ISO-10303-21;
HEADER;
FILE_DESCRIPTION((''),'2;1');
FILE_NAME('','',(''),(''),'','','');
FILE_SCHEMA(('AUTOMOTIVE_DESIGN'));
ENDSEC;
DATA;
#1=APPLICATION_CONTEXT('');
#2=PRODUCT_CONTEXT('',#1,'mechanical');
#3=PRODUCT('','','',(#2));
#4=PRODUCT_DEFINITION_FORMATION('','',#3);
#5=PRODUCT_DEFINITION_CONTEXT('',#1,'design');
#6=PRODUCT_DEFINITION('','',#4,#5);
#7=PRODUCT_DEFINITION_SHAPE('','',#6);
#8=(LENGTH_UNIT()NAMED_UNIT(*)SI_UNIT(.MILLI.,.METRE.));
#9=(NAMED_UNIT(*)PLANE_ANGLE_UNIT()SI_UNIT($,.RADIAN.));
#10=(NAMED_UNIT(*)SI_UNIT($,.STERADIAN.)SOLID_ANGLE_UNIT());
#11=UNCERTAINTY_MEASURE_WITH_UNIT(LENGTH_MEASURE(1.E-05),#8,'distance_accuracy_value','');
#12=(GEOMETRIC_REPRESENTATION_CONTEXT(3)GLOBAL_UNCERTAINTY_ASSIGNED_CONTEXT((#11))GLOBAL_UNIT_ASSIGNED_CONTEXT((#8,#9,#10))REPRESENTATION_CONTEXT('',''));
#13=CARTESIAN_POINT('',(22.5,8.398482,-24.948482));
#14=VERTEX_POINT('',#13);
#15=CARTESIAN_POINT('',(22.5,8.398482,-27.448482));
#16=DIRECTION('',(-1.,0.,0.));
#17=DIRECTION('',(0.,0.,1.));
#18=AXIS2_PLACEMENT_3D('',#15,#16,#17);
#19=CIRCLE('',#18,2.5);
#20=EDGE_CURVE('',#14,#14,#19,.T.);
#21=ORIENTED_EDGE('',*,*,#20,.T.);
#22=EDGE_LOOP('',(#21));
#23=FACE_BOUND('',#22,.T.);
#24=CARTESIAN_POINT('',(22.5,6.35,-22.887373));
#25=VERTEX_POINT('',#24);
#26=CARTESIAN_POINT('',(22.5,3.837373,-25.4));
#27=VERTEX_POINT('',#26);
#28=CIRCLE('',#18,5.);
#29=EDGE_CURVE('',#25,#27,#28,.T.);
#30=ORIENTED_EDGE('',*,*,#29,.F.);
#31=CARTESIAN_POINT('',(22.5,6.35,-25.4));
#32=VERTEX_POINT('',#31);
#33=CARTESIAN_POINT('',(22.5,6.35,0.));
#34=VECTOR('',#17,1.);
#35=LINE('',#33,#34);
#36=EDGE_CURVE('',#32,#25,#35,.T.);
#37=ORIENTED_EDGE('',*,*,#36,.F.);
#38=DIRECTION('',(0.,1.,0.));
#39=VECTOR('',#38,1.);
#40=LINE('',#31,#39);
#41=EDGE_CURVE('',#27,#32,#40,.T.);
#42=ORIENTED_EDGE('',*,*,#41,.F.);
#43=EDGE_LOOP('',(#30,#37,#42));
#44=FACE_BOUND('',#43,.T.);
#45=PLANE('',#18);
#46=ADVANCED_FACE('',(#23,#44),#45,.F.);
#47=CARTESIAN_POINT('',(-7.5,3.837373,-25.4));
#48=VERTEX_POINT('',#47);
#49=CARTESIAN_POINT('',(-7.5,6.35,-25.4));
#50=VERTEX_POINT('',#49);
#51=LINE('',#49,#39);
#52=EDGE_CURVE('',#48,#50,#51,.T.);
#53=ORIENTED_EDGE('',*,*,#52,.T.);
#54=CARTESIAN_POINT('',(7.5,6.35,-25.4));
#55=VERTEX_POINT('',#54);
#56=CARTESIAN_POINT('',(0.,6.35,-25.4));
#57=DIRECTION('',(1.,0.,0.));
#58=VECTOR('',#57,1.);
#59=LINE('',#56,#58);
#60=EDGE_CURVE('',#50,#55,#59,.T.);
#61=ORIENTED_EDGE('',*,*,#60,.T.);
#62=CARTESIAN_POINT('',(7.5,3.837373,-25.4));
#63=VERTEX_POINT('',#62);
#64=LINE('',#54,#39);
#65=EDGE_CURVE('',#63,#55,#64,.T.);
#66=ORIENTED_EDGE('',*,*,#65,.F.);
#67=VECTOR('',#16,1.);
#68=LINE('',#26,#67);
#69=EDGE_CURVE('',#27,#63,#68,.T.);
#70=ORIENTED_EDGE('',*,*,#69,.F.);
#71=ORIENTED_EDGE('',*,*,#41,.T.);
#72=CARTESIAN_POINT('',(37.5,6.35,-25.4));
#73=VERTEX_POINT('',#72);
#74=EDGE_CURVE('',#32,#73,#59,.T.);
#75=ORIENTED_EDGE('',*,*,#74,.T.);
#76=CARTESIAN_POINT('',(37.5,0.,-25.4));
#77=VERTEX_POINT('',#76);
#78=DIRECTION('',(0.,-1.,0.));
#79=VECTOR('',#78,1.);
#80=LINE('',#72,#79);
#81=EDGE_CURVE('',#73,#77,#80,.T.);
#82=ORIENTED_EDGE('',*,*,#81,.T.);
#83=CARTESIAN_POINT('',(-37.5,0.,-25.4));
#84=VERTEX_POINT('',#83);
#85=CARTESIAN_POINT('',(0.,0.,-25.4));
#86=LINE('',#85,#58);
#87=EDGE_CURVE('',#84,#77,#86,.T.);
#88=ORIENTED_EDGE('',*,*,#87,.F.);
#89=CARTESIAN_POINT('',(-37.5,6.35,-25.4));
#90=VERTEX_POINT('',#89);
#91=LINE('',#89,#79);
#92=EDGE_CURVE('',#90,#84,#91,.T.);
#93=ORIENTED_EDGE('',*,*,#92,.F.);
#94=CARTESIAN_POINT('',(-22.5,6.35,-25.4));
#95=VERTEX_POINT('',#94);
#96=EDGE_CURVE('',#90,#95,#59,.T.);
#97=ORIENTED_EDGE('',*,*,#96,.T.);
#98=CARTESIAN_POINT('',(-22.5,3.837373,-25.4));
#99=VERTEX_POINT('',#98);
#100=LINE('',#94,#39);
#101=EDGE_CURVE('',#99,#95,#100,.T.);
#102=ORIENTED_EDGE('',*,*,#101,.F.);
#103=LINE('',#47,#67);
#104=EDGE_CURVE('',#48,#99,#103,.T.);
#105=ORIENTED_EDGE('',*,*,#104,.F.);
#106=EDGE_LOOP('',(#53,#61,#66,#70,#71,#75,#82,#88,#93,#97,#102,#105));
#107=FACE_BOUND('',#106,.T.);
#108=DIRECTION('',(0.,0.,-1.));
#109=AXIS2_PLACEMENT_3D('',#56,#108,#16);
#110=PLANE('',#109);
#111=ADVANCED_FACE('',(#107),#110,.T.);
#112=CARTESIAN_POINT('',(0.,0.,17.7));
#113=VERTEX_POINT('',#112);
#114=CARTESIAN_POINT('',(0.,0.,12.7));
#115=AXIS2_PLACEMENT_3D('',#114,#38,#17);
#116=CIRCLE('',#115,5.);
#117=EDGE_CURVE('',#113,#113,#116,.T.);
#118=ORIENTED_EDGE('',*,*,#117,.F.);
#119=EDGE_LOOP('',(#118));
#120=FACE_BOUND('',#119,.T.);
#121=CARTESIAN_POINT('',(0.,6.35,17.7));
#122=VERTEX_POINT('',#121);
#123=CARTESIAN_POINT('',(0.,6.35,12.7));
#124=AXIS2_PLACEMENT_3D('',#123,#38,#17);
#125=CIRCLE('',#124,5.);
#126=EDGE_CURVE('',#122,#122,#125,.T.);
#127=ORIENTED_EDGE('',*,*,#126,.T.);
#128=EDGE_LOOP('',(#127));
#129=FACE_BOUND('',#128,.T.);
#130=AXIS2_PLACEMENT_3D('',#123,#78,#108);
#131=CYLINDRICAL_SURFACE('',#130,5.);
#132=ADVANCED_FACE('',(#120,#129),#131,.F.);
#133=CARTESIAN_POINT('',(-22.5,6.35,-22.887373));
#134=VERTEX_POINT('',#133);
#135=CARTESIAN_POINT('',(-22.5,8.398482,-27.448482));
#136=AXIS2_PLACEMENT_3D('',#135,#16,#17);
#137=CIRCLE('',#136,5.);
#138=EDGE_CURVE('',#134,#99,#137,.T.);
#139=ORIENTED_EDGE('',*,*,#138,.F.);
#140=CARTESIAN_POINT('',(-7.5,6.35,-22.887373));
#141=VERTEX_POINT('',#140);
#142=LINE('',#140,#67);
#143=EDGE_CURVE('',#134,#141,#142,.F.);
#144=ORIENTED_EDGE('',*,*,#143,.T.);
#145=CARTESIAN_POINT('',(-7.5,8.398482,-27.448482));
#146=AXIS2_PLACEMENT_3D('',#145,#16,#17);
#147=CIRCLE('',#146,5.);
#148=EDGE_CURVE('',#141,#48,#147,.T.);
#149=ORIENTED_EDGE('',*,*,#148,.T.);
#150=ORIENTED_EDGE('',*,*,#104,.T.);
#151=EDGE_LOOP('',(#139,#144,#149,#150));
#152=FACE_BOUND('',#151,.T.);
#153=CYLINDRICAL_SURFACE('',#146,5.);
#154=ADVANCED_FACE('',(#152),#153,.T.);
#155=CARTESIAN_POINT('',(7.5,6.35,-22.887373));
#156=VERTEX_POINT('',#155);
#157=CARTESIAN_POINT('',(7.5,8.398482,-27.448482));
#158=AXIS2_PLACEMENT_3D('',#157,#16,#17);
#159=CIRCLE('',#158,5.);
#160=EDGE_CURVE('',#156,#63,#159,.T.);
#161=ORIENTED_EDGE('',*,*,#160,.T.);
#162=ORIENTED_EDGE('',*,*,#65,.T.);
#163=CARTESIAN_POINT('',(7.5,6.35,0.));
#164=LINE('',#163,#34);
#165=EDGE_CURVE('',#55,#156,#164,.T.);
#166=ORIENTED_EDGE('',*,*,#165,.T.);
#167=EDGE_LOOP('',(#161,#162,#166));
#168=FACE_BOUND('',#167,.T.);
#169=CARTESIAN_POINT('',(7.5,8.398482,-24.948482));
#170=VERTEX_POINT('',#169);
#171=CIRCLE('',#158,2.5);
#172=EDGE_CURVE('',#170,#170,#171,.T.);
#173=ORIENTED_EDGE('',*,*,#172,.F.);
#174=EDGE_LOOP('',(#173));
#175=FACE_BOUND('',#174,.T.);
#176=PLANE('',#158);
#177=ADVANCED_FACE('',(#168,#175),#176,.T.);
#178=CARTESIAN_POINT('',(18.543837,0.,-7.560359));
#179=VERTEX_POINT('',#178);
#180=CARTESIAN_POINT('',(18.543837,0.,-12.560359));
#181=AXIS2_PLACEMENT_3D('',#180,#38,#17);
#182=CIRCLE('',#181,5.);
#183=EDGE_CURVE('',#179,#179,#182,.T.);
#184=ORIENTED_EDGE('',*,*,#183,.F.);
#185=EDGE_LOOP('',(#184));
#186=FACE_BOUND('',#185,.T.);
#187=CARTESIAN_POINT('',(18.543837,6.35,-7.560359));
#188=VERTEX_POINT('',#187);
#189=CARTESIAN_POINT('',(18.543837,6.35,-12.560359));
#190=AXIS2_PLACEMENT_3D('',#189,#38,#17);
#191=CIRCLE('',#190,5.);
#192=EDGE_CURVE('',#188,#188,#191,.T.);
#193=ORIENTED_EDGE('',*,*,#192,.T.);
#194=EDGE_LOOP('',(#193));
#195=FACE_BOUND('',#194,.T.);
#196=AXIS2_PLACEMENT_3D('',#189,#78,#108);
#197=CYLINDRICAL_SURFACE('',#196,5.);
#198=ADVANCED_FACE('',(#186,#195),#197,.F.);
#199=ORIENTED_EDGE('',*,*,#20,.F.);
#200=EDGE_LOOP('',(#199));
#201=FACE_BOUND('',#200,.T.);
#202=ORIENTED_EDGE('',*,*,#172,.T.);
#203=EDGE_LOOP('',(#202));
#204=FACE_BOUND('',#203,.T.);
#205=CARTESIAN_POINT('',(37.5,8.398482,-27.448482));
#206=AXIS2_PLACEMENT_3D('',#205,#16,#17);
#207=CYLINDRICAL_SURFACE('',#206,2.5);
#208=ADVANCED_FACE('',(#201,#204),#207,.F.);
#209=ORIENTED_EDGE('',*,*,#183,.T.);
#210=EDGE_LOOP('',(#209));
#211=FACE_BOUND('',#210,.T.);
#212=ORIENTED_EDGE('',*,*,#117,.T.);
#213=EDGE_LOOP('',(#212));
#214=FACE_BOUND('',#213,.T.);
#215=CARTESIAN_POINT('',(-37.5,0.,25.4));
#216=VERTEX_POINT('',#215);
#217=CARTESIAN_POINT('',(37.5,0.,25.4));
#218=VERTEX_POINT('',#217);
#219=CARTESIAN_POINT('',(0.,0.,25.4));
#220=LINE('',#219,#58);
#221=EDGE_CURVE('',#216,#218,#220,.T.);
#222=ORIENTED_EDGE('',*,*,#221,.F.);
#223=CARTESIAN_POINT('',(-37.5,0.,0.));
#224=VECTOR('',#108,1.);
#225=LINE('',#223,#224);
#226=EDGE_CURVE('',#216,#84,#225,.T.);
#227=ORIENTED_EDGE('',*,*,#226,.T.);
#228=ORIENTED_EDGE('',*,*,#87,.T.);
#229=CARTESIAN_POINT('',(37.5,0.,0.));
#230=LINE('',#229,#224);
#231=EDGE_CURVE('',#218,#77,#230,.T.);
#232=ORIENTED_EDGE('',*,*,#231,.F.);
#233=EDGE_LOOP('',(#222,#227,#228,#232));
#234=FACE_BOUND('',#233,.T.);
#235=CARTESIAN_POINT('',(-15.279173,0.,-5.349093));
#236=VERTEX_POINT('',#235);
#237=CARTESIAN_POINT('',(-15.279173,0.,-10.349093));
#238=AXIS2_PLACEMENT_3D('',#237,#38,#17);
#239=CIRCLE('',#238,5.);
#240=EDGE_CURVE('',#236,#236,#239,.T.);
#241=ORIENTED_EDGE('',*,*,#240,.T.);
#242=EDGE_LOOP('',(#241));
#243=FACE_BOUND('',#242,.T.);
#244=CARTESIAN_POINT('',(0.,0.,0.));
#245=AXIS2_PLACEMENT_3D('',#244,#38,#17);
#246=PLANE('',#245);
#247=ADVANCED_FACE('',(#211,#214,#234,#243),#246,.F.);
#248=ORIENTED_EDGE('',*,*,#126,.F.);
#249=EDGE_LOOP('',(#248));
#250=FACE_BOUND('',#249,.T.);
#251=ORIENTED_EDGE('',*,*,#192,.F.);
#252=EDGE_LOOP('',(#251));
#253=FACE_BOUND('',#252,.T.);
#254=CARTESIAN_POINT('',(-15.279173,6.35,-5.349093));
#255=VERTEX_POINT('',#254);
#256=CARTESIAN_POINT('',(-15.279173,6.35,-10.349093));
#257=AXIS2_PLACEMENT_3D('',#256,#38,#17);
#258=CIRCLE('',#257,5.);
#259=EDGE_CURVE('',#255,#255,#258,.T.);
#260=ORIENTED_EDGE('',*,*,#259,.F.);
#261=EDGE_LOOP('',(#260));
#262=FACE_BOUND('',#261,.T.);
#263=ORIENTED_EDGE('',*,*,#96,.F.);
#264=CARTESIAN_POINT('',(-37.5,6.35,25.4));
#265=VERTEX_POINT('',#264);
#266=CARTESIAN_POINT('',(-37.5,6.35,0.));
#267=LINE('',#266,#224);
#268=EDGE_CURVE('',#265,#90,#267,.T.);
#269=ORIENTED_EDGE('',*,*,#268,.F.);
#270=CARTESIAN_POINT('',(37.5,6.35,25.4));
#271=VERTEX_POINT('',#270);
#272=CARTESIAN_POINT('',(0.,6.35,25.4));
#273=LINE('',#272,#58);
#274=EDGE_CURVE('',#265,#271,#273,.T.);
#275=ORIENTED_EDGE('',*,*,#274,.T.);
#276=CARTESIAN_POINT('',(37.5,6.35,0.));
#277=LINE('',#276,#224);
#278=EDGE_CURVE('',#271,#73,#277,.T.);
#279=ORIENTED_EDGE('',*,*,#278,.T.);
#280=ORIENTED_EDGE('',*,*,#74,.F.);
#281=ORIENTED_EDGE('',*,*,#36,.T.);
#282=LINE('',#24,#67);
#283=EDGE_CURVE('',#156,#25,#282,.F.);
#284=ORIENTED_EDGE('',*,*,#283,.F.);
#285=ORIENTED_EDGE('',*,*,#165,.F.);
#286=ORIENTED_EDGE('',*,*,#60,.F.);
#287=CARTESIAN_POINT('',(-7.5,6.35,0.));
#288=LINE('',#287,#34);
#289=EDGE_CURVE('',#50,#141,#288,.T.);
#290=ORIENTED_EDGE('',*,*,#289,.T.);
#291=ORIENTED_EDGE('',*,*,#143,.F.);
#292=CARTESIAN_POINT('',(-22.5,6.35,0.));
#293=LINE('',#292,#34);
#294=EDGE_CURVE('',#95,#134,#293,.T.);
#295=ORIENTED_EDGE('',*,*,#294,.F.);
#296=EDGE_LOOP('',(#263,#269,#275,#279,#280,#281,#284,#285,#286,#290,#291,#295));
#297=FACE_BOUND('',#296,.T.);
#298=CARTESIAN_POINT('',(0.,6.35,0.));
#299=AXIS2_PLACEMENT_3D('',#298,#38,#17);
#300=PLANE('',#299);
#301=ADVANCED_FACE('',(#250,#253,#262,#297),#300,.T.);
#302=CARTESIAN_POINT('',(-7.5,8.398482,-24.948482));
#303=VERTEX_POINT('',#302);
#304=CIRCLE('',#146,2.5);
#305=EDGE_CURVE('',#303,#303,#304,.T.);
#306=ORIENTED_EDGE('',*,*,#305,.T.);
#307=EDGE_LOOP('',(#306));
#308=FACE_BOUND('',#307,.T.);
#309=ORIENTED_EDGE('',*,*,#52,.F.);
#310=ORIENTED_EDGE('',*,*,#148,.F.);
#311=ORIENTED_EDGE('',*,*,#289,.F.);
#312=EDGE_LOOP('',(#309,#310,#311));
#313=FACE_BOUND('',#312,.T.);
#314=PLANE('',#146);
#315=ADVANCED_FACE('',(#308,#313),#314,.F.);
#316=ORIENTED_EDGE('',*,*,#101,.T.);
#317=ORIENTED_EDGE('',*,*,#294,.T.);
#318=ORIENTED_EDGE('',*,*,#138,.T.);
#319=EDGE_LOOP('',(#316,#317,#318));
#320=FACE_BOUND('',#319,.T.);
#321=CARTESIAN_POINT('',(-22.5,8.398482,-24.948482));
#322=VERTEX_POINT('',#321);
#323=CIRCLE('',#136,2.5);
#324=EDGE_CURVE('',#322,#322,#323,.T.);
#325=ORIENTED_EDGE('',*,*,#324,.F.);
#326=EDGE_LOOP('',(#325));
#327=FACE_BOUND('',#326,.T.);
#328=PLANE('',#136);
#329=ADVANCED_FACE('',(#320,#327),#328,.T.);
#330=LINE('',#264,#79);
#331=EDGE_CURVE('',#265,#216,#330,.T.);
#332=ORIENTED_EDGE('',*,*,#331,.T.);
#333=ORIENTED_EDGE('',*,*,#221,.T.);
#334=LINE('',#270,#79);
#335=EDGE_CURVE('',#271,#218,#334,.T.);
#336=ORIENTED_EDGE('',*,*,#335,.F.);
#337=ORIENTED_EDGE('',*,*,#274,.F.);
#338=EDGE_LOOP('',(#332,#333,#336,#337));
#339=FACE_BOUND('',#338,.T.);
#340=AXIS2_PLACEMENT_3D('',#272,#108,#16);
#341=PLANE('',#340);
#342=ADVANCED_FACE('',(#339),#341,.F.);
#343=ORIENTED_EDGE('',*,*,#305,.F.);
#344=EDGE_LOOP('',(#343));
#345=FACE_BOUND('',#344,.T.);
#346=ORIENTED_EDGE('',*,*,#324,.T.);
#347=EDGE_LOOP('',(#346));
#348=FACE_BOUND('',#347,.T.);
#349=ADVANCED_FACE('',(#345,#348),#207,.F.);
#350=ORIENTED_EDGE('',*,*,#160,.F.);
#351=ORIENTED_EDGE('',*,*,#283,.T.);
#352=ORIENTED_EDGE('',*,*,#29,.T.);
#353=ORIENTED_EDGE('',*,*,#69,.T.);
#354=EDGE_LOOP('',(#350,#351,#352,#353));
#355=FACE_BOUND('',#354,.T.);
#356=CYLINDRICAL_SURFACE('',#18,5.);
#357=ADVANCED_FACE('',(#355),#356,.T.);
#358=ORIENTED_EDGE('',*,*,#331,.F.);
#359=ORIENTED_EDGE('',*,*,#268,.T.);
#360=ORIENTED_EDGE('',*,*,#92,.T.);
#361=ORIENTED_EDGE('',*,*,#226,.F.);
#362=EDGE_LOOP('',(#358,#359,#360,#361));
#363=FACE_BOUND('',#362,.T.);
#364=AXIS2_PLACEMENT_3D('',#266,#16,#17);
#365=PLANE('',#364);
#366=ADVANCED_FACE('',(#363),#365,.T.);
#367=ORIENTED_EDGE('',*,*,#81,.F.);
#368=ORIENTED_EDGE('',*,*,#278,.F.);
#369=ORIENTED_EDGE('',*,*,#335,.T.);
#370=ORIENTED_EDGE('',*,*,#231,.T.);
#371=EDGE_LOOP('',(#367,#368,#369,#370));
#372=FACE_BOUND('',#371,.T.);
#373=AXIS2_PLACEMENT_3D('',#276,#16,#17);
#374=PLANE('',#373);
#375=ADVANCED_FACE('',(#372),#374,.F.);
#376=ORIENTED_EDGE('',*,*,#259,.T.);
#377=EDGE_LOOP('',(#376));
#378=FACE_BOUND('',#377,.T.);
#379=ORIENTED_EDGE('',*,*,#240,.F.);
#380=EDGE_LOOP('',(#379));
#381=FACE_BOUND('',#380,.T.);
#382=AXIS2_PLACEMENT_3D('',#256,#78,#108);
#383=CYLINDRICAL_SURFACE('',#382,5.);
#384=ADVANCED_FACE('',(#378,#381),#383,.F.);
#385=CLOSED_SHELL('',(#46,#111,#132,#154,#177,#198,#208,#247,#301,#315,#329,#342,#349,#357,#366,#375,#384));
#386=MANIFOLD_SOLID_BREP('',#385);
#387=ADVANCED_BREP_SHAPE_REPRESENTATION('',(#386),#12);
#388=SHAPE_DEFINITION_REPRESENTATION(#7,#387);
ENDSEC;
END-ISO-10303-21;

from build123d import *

# Parameters (mm, degrees)
SKETCH1_W           = 75
SKETCH1_H           = 50.8
SKETCH1_R           = 5
BOSS_EXTRUDE1_DEPTH = 6.35
BOSS_EXTRUDE2_START = -15
SKETCH2_R           = 5
BOSS_EXTRUDE2_DEPTH = 15
LPATTERN1_COUNT     = 2
LPATTERN1_PITCH     = 30
SKETCH2_4_R         = 2.5
CUT_EXTRUDE2_DEPTH  = 83.80956065


with BuildPart() as part:
    # Sketch1 → Boss-Extrude1 (new body)
    with BuildSketch(Plane(origin=(0, 0, 0), x_dir=(1, 0, 0), z_dir=(0, 1, 0))):
        Rectangle(SKETCH1_W, SKETCH1_H)
        with Locations((0, -12.7)):
            Circle(SKETCH1_R, mode=Mode.SUBTRACT)
        with Locations((-15.279173033, 10.349093201)):
            Circle(SKETCH1_R, mode=Mode.SUBTRACT)
        with Locations((18.543836974, 12.56035891)):
            Circle(SKETCH1_R, mode=Mode.SUBTRACT)
    extrude(amount=BOSS_EXTRUDE1_DEPTH)

    # Sketch2 → Boss-Extrude2 (add)
    with BuildSketch(Plane.ZY.offset(37.5).offset(BOSS_EXTRUDE2_START)):
        with Locations((-27.448482339, 8.398482339)):
            Circle(SKETCH2_R)
    boss_extrude2 = extrude(amount=-BOSS_EXTRUDE2_DEPTH)

    # LPattern1: Boss-Extrude2 ×2
    with Locations(*[(i * LPATTERN1_PITCH, 0, 0) for i in range(1, LPATTERN1_COUNT)]):
        add(boss_extrude2)

    # Sketch2<4> → Cut-Extrude2 (cut, through all)
    with BuildSketch(Plane.ZY.offset(37.5)):
        with Locations((-27.448482339, 8.398482339)):
            Circle(SKETCH2_4_R)
    extrude(amount=-CUT_EXTRUDE2_DEPTH, mode=Mode.SUBTRACT)


solid = part.part
